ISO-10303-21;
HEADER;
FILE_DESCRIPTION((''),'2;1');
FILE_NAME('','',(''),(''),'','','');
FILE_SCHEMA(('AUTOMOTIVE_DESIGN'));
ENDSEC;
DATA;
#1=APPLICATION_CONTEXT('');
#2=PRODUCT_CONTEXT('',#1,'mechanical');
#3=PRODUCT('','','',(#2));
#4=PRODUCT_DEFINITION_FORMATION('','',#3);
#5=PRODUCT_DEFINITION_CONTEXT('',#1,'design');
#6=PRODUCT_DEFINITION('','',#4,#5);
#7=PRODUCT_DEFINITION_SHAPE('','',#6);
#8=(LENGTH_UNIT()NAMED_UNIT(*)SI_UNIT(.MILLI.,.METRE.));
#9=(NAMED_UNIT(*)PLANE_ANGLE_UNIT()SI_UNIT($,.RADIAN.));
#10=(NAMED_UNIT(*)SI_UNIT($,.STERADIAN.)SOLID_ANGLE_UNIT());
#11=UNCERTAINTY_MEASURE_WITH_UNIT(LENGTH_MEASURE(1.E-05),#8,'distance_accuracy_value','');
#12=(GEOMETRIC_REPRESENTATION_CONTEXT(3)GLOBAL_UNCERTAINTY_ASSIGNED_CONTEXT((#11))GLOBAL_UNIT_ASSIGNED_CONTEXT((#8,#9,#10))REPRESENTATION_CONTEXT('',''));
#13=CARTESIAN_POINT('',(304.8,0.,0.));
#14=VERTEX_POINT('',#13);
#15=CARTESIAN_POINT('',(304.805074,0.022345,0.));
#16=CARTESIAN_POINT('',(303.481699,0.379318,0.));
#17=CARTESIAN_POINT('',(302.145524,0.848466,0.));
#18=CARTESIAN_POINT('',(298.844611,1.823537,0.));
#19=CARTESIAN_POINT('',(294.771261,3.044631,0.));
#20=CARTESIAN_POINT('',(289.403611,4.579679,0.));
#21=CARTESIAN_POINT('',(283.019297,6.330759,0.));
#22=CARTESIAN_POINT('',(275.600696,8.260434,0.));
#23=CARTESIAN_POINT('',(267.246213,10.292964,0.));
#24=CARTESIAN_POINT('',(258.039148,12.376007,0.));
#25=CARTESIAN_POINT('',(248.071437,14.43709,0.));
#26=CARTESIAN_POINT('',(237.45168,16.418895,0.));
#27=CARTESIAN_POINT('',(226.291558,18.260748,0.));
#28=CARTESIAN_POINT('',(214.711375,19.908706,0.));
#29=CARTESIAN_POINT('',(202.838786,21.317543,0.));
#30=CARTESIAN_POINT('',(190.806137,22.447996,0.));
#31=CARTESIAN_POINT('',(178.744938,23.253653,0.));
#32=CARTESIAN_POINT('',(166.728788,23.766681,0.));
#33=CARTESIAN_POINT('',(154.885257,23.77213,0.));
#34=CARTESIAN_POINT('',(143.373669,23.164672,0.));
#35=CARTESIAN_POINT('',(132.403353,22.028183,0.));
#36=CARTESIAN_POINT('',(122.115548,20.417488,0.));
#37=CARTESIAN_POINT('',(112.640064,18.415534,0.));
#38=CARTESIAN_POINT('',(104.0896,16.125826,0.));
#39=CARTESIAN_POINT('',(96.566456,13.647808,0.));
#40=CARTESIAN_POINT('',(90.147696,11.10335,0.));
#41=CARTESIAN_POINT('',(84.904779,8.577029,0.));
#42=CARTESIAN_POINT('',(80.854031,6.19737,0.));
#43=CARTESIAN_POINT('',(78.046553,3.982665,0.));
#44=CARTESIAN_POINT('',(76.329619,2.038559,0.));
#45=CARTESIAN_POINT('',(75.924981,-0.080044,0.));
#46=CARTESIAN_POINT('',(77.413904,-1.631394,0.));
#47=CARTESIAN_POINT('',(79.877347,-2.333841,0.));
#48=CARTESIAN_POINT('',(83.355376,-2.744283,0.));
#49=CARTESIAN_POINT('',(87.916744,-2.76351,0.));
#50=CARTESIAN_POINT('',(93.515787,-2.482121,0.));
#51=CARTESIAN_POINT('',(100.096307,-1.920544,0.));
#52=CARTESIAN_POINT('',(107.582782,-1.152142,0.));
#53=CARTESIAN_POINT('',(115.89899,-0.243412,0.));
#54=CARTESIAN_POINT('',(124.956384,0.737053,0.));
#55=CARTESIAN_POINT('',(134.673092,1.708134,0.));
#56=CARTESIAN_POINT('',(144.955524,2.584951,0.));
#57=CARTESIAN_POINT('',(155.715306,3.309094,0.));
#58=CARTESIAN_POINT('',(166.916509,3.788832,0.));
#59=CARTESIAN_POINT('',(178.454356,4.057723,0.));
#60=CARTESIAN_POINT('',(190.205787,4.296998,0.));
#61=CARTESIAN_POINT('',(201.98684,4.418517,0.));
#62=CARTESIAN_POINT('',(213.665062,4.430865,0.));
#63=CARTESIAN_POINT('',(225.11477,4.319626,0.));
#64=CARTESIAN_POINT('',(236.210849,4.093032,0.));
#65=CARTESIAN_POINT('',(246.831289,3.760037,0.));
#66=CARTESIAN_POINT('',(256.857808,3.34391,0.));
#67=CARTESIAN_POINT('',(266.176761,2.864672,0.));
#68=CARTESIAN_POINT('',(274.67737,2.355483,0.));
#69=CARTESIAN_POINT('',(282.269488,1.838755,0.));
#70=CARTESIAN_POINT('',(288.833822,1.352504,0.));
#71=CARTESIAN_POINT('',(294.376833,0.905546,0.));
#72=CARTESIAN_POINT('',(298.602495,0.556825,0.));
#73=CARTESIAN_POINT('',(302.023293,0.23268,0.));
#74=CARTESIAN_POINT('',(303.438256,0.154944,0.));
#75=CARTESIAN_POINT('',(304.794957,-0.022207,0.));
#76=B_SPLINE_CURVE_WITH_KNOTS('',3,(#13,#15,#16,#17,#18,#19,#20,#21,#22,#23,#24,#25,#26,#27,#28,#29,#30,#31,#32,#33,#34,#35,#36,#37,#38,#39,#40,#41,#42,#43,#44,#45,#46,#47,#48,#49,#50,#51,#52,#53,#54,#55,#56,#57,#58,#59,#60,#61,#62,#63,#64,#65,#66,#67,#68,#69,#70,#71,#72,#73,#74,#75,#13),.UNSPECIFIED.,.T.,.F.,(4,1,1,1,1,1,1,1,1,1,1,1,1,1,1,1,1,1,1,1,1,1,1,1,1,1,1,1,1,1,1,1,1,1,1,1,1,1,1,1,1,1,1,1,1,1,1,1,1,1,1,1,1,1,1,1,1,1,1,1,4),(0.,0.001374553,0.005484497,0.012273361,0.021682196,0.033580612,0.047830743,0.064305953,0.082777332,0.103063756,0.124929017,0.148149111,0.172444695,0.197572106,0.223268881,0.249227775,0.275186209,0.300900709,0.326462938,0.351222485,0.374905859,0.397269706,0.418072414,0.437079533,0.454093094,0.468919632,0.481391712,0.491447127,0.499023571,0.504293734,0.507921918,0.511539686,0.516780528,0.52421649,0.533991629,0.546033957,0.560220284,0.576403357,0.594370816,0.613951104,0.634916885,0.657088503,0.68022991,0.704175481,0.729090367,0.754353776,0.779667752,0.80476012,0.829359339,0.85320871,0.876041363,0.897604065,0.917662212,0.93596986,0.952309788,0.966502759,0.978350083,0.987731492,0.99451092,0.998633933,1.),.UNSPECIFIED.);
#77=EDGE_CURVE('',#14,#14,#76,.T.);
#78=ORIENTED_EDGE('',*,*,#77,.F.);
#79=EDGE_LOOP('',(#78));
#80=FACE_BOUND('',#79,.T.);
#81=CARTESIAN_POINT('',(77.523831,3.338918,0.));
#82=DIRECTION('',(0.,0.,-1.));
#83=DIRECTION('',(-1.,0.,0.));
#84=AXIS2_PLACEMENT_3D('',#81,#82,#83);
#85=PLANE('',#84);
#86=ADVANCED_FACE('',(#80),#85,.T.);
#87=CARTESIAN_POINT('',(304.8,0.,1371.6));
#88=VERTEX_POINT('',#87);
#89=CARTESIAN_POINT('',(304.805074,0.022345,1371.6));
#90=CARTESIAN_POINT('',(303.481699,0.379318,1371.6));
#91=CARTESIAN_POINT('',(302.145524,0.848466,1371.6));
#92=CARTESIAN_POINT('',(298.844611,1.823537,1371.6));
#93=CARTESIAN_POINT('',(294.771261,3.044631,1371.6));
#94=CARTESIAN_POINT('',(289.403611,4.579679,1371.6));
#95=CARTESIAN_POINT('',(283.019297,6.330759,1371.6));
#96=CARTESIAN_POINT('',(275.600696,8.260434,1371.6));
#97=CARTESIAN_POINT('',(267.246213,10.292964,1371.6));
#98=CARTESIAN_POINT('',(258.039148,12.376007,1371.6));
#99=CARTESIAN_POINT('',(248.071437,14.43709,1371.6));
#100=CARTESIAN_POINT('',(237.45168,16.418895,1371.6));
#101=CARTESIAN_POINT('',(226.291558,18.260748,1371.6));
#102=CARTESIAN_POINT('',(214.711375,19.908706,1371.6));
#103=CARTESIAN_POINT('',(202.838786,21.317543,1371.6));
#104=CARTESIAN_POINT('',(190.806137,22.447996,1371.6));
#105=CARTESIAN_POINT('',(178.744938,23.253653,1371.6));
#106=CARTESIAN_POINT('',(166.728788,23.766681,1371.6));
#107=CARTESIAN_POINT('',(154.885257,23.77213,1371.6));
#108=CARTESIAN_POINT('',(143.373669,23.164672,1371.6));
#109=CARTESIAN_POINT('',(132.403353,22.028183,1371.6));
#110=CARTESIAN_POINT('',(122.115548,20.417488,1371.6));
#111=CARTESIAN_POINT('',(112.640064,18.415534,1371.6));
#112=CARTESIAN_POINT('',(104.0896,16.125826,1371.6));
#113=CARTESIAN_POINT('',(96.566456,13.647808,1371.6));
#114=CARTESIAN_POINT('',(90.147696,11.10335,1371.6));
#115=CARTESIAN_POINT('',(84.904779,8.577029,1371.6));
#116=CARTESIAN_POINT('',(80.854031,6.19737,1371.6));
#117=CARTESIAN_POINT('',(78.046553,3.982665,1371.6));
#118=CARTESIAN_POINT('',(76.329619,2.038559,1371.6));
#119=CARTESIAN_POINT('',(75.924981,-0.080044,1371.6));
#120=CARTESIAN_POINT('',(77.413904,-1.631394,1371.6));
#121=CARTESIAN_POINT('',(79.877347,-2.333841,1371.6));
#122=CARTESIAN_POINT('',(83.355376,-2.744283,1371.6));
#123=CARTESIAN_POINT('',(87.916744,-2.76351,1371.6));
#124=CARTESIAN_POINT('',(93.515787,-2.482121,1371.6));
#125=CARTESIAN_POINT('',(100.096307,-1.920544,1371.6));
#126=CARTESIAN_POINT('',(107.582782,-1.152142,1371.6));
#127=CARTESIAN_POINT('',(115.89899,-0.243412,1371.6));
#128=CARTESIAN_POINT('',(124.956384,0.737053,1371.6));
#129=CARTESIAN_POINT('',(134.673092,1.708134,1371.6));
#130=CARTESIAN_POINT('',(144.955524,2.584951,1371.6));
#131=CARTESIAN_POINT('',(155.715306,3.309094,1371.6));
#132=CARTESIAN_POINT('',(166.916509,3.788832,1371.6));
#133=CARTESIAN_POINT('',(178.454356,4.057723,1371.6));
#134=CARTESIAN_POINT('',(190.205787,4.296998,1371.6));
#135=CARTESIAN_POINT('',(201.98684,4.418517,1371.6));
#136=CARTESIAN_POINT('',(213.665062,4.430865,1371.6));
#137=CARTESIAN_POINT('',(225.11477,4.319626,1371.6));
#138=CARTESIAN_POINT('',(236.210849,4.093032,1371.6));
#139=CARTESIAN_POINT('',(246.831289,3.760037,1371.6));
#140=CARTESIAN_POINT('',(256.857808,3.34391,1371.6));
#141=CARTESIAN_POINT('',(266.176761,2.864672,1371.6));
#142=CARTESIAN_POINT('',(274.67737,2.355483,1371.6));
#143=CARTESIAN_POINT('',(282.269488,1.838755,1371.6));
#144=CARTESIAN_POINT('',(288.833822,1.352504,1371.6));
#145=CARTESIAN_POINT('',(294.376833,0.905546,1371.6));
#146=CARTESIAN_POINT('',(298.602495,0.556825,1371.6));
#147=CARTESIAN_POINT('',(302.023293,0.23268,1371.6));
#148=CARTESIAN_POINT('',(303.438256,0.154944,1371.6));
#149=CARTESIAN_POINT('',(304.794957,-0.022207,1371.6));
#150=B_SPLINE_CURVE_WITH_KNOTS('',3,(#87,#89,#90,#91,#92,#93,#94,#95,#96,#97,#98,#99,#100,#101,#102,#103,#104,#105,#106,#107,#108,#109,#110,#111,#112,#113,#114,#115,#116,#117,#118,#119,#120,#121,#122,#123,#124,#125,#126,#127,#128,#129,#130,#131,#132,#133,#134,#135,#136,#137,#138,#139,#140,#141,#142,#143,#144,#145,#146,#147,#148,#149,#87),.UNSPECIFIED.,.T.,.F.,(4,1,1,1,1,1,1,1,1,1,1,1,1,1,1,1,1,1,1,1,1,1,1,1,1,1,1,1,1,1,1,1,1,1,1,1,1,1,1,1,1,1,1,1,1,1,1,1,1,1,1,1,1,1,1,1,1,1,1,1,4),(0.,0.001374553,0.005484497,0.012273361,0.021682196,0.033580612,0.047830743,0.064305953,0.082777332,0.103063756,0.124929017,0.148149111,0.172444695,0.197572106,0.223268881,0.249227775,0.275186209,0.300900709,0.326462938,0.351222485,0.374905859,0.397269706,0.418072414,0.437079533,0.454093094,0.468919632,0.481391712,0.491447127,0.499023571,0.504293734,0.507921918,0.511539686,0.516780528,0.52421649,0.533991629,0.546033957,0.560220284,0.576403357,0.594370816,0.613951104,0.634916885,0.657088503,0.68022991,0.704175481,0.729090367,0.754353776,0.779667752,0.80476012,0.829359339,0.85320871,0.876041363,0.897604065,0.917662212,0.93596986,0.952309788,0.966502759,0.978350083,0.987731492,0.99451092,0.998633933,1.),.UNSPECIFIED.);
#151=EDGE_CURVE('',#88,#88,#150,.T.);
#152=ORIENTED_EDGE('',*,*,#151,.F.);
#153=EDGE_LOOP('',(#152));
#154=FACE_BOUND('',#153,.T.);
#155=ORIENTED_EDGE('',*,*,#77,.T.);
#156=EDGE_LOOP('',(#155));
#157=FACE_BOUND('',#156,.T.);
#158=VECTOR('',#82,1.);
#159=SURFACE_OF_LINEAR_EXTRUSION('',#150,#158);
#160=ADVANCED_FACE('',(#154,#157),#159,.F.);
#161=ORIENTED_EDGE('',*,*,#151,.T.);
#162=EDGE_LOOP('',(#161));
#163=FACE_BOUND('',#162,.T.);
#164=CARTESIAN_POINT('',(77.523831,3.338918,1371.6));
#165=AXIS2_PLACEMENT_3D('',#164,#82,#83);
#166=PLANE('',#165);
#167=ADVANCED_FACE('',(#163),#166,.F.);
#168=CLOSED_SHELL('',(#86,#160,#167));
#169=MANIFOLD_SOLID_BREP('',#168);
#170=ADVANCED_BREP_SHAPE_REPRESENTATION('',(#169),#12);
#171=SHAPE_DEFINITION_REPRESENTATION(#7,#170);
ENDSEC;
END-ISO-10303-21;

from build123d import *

# Parameters (mm, degrees)
BOSS_EXTRUDE1_DEPTH = 1371.6


with BuildPart() as part:
    # Sketch1 → Boss-Extrude1 (new body)
    with BuildSketch(Plane.XY):
        with BuildLine():
            add(Edge.make_bspline(
                [(304.8, 0), (304.805073835, 0.022345268), (303.481699082, 0.379318261), (302.145524331, 0.848466215), (298.844611234, 1.823536607), (294.771260673, 3.04463063), (289.403610922, 4.579678715), (283.019296887, 6.330758929), (275.600696272, 8.260434129), (267.246213077, 10.292963721), (258.039148325, 12.376006515), (248.071437392, 14.437090383), (237.451680251, 16.418894856), (226.291557935, 18.260748325), (214.711374976, 19.908706419), (202.838786211, 21.317543029), (190.806137406, 22.447996453), (178.744937721, 23.253653254), (166.72878783, 23.766681285), (154.885256787, 23.772129988), (143.373669303, 23.164671512), (132.403352582, 22.028182719), (122.115548216, 20.417487681), (112.6400635, 18.415534133), (104.089600043, 16.125826104), (96.566455996, 13.647808416), (90.147696225, 11.103350359), (84.904778797, 8.577029124), (80.854030962, 6.197370217), (78.046553367, 3.982664517), (76.329619419, 2.038558574), (75.92498098, -0.080044282), (77.413903983, -1.63139365), (79.877346854, -2.333840848), (83.355375502, -2.744283383), (87.916743768, -2.763510085), (93.515787398, -2.482121304), (100.09630686, -1.920543783), (107.582782406, -1.152142221), (115.89898959, -0.243411782), (124.956384486, 0.73705321), (134.673091918, 1.708133725), (144.955523614, 2.58495096), (155.715305743, 3.309093629), (166.916509217, 3.788832183), (178.454355982, 4.057722925), (190.205787255, 4.296997628), (201.986839642, 4.418516651), (213.665061962, 4.430864608), (225.114770388, 4.319625625), (236.210849268, 4.093032461), (246.831288505, 3.760036865), (256.857808238, 3.343909871), (266.176761031, 2.864671907), (274.677370216, 2.355483264), (282.269488448, 1.838755013), (288.833821998, 1.352503507), (294.376832898, 0.905545819), (298.602495473, 0.556825305), (302.023292656, 0.232680412), (303.438256175, 0.154943914), (304.794957491, -0.022207309), (304.8, 0)],
                knots=[0, 0, 0, 0, 0.001374553, 0.005484497, 0.012273361, 0.021682196, 0.033580612, 0.047830743, 0.064305953, 0.082777332, 0.103063756, 0.124929017, 0.148149111, 0.172444695, 0.197572106, 0.223268881, 0.249227775, 0.275186209, 0.300900709, 0.326462938, 0.351222485, 0.374905859, 0.397269706, 0.418072414, 0.437079533, 0.454093094, 0.468919632, 0.481391712, 0.491447127, 0.499023571, 0.504293734, 0.507921918, 0.511539686, 0.516780528, 0.52421649, 0.533991629, 0.546033957, 0.560220284, 0.576403357, 0.594370816, 0.613951104, 0.634916885, 0.657088503, 0.68022991, 0.704175481, 0.729090367, 0.754353776, 0.779667752, 0.80476012, 0.829359339, 0.85320871, 0.876041363, 0.897604065, 0.917662212, 0.93596986, 0.952309788, 0.966502759, 0.978350083, 0.987731492, 0.99451092, 0.998633933, 1, 1, 1, 1], degree=3))
        make_face()
    extrude(amount=BOSS_EXTRUDE1_DEPTH)


solid = part.part
